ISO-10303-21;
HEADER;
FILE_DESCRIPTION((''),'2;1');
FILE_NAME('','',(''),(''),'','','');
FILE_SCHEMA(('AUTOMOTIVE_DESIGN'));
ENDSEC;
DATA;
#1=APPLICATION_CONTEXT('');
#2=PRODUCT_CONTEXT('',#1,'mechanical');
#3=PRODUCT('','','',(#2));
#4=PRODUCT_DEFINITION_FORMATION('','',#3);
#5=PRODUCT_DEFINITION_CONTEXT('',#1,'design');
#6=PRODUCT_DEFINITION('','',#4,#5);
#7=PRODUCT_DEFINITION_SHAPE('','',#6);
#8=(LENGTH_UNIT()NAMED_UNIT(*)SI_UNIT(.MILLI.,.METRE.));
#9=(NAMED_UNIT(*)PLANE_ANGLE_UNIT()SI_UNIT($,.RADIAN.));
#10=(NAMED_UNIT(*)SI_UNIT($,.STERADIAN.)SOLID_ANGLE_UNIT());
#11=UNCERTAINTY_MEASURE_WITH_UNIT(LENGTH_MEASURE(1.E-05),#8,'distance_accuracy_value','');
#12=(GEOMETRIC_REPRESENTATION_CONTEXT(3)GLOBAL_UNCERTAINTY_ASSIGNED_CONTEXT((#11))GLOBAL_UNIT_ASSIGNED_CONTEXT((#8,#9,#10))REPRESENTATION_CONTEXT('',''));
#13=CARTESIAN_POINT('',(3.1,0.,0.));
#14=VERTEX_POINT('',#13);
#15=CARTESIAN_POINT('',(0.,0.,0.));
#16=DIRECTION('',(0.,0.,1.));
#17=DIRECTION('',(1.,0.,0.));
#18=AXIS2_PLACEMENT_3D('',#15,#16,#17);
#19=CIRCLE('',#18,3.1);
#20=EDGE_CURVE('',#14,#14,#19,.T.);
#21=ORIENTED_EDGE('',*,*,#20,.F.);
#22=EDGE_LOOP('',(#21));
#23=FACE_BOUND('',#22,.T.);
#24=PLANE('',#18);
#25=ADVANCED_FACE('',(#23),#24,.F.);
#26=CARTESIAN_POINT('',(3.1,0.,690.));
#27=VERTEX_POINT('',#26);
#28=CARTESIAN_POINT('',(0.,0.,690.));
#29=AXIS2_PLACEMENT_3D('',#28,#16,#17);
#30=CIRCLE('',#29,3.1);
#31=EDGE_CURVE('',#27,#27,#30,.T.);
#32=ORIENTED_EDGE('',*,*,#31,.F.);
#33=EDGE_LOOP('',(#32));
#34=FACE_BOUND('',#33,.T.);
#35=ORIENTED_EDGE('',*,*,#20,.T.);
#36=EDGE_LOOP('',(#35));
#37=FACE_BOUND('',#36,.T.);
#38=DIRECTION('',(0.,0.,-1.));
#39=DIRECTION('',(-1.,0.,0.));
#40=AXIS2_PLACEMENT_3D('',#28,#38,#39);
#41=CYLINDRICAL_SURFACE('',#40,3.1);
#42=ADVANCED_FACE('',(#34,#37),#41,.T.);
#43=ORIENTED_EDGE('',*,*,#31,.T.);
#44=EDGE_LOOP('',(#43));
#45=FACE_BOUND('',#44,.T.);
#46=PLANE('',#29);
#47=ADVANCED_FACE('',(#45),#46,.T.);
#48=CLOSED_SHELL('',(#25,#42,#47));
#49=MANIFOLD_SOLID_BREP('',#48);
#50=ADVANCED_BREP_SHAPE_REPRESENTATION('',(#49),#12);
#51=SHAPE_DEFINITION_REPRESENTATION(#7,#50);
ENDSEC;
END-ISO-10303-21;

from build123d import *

# Parameters (mm, degrees)
ESQUISSE1_R        = 3.1
BOSS_EXTRU_1_DEPTH = 690


with BuildPart() as part:
    # Esquisse1 → Boss.-Extru.1 (new body)
    with BuildSketch(Plane.XY):
        Circle(ESQUISSE1_R)
    extrude(amount=BOSS_EXTRU_1_DEPTH)


solid = part.part
